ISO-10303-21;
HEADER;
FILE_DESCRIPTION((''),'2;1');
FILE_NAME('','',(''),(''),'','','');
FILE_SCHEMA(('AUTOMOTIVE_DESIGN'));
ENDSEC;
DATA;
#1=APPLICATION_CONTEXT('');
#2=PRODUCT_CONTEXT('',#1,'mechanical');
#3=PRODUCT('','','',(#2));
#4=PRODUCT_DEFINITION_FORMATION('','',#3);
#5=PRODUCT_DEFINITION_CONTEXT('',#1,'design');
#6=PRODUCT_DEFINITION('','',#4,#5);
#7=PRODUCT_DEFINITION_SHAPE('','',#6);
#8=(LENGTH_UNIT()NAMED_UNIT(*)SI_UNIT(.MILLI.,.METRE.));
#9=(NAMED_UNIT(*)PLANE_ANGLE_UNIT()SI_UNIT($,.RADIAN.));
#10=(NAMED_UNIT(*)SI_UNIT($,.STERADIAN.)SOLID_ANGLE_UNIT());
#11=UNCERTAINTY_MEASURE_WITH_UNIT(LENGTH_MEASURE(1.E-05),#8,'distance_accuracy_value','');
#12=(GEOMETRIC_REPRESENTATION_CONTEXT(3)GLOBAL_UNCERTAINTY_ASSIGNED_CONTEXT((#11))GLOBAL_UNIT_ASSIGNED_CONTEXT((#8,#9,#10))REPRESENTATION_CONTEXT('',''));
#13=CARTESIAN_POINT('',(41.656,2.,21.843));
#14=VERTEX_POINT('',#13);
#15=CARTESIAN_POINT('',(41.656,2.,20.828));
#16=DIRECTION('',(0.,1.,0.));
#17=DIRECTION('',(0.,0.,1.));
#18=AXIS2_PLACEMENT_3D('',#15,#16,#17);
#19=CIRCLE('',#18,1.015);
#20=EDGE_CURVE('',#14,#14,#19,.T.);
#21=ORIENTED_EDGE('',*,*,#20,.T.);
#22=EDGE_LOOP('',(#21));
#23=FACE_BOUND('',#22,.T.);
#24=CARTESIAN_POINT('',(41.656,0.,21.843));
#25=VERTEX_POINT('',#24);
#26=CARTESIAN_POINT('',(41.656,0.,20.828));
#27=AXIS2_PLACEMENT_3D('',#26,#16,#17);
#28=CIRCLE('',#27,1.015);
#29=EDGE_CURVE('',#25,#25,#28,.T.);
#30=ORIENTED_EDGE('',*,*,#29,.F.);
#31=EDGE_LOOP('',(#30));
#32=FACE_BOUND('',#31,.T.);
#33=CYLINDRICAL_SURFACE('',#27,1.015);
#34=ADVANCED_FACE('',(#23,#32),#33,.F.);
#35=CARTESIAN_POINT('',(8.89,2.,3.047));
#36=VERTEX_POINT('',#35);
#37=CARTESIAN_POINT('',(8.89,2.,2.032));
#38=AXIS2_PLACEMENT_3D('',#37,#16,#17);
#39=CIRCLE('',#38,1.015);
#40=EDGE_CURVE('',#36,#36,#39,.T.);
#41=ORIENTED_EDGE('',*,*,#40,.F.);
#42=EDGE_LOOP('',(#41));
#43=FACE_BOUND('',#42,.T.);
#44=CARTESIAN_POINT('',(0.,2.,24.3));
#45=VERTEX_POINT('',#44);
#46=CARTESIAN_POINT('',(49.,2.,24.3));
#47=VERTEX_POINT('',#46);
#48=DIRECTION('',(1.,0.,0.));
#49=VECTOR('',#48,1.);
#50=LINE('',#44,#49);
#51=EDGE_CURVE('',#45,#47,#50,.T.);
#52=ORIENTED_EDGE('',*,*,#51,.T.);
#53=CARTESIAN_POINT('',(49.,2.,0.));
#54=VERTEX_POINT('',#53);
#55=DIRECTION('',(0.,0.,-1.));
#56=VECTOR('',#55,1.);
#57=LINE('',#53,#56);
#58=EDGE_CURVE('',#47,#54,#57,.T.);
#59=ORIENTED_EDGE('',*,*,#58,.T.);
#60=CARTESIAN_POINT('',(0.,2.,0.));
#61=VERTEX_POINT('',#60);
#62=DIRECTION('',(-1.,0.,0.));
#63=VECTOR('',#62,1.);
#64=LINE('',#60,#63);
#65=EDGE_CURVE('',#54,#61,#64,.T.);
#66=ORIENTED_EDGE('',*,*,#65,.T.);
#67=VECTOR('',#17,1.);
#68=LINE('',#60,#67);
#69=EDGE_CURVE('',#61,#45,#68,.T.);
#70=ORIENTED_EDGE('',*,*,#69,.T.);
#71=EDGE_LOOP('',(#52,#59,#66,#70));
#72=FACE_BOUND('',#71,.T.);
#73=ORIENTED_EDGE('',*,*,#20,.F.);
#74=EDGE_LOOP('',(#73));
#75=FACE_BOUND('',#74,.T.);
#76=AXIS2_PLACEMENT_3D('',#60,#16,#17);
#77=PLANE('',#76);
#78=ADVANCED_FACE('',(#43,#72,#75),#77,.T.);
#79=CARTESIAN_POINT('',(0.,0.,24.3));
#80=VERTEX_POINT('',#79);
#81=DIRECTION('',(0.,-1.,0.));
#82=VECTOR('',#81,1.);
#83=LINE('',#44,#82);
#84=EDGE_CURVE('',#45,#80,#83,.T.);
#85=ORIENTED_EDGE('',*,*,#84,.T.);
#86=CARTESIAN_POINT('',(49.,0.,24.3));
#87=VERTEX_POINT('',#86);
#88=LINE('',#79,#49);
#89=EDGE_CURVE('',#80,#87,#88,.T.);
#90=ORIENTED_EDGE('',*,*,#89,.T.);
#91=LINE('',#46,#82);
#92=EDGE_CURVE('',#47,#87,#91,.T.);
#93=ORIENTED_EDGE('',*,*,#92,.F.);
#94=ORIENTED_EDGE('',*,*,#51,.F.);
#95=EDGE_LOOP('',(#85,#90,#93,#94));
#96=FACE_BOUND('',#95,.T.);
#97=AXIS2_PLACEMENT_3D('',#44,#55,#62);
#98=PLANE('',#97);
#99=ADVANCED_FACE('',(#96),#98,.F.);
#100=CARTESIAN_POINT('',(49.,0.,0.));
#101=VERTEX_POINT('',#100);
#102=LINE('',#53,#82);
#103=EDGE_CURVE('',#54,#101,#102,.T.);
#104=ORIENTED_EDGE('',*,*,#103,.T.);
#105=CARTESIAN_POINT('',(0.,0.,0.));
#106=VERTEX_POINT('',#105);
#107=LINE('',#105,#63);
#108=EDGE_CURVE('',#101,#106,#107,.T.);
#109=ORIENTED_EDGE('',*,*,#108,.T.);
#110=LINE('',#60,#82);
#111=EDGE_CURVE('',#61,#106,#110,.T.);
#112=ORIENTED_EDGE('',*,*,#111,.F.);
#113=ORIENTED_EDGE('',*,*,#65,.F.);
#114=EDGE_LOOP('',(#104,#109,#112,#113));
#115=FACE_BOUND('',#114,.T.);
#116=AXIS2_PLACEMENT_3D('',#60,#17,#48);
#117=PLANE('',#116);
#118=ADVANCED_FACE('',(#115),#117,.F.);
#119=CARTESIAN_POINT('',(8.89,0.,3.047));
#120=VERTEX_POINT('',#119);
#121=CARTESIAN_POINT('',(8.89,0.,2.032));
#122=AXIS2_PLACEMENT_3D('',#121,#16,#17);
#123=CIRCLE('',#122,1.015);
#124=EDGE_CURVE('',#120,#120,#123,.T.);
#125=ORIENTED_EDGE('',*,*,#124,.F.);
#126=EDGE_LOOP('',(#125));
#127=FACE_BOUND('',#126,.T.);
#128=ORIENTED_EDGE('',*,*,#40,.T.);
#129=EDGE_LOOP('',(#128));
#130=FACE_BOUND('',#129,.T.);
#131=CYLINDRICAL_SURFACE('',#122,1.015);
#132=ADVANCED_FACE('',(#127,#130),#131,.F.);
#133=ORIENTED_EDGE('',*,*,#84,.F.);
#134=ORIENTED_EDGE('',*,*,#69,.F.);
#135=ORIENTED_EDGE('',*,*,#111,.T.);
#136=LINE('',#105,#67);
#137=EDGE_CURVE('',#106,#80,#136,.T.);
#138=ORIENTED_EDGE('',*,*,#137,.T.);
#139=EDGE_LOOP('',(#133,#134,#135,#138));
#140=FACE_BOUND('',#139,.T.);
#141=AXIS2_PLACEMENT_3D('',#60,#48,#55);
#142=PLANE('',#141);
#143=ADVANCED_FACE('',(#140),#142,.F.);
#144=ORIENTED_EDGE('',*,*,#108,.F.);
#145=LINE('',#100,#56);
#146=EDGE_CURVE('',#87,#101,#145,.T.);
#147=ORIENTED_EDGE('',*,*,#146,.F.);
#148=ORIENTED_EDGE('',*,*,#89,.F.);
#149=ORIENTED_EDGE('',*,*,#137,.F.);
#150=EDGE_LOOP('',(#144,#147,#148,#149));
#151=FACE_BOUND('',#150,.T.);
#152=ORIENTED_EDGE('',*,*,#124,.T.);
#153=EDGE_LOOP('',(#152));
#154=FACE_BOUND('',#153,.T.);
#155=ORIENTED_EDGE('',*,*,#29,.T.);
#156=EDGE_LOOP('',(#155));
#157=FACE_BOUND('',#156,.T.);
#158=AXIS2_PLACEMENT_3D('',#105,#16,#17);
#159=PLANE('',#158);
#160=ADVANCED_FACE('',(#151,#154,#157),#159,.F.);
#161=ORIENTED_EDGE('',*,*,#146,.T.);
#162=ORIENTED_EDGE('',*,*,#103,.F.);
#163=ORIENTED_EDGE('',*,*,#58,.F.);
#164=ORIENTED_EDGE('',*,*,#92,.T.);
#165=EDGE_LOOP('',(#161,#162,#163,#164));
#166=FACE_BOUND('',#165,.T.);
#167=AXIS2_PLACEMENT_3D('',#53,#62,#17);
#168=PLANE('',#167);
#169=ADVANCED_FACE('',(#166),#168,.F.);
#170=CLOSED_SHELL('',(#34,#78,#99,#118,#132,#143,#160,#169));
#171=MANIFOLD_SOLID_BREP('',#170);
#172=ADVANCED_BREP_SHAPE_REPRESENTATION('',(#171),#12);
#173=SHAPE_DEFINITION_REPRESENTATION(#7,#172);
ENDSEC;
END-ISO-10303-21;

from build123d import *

# Parameters (mm, degrees)
SKETCH1_W           = 49
SKETCH1_H           = 24.3
BOSS_EXTRUDE1_DEPTH = 2
SKETCH2_R           = 1.015
CUT_EXTRUDE1_DEPTH  = 3


with BuildPart() as part:
    # Sketch1 → Boss-Extrude1 (new body)
    with BuildSketch(Plane(origin=(0, 0, 0), x_dir=(1, 0, 0), z_dir=(0, 1, 0))):
        with Locations((24.5, -12.15)):
            Rectangle(SKETCH1_W, SKETCH1_H)
    extrude(amount=BOSS_EXTRUDE1_DEPTH)

    # Sketch2 → Cut-Extrude1 (cut, through all)
    with BuildSketch(Plane(origin=(0, 2, 0), x_dir=(1, 0, 0), z_dir=(0, 1, 0))):
        with Locations((8.89, -2.032)):
            Circle(SKETCH2_R)
        with Locations((41.656, -20.828)):
            Circle(SKETCH2_R)
    extrude(amount=-CUT_EXTRUDE1_DEPTH, mode=Mode.SUBTRACT)


solid = part.part
